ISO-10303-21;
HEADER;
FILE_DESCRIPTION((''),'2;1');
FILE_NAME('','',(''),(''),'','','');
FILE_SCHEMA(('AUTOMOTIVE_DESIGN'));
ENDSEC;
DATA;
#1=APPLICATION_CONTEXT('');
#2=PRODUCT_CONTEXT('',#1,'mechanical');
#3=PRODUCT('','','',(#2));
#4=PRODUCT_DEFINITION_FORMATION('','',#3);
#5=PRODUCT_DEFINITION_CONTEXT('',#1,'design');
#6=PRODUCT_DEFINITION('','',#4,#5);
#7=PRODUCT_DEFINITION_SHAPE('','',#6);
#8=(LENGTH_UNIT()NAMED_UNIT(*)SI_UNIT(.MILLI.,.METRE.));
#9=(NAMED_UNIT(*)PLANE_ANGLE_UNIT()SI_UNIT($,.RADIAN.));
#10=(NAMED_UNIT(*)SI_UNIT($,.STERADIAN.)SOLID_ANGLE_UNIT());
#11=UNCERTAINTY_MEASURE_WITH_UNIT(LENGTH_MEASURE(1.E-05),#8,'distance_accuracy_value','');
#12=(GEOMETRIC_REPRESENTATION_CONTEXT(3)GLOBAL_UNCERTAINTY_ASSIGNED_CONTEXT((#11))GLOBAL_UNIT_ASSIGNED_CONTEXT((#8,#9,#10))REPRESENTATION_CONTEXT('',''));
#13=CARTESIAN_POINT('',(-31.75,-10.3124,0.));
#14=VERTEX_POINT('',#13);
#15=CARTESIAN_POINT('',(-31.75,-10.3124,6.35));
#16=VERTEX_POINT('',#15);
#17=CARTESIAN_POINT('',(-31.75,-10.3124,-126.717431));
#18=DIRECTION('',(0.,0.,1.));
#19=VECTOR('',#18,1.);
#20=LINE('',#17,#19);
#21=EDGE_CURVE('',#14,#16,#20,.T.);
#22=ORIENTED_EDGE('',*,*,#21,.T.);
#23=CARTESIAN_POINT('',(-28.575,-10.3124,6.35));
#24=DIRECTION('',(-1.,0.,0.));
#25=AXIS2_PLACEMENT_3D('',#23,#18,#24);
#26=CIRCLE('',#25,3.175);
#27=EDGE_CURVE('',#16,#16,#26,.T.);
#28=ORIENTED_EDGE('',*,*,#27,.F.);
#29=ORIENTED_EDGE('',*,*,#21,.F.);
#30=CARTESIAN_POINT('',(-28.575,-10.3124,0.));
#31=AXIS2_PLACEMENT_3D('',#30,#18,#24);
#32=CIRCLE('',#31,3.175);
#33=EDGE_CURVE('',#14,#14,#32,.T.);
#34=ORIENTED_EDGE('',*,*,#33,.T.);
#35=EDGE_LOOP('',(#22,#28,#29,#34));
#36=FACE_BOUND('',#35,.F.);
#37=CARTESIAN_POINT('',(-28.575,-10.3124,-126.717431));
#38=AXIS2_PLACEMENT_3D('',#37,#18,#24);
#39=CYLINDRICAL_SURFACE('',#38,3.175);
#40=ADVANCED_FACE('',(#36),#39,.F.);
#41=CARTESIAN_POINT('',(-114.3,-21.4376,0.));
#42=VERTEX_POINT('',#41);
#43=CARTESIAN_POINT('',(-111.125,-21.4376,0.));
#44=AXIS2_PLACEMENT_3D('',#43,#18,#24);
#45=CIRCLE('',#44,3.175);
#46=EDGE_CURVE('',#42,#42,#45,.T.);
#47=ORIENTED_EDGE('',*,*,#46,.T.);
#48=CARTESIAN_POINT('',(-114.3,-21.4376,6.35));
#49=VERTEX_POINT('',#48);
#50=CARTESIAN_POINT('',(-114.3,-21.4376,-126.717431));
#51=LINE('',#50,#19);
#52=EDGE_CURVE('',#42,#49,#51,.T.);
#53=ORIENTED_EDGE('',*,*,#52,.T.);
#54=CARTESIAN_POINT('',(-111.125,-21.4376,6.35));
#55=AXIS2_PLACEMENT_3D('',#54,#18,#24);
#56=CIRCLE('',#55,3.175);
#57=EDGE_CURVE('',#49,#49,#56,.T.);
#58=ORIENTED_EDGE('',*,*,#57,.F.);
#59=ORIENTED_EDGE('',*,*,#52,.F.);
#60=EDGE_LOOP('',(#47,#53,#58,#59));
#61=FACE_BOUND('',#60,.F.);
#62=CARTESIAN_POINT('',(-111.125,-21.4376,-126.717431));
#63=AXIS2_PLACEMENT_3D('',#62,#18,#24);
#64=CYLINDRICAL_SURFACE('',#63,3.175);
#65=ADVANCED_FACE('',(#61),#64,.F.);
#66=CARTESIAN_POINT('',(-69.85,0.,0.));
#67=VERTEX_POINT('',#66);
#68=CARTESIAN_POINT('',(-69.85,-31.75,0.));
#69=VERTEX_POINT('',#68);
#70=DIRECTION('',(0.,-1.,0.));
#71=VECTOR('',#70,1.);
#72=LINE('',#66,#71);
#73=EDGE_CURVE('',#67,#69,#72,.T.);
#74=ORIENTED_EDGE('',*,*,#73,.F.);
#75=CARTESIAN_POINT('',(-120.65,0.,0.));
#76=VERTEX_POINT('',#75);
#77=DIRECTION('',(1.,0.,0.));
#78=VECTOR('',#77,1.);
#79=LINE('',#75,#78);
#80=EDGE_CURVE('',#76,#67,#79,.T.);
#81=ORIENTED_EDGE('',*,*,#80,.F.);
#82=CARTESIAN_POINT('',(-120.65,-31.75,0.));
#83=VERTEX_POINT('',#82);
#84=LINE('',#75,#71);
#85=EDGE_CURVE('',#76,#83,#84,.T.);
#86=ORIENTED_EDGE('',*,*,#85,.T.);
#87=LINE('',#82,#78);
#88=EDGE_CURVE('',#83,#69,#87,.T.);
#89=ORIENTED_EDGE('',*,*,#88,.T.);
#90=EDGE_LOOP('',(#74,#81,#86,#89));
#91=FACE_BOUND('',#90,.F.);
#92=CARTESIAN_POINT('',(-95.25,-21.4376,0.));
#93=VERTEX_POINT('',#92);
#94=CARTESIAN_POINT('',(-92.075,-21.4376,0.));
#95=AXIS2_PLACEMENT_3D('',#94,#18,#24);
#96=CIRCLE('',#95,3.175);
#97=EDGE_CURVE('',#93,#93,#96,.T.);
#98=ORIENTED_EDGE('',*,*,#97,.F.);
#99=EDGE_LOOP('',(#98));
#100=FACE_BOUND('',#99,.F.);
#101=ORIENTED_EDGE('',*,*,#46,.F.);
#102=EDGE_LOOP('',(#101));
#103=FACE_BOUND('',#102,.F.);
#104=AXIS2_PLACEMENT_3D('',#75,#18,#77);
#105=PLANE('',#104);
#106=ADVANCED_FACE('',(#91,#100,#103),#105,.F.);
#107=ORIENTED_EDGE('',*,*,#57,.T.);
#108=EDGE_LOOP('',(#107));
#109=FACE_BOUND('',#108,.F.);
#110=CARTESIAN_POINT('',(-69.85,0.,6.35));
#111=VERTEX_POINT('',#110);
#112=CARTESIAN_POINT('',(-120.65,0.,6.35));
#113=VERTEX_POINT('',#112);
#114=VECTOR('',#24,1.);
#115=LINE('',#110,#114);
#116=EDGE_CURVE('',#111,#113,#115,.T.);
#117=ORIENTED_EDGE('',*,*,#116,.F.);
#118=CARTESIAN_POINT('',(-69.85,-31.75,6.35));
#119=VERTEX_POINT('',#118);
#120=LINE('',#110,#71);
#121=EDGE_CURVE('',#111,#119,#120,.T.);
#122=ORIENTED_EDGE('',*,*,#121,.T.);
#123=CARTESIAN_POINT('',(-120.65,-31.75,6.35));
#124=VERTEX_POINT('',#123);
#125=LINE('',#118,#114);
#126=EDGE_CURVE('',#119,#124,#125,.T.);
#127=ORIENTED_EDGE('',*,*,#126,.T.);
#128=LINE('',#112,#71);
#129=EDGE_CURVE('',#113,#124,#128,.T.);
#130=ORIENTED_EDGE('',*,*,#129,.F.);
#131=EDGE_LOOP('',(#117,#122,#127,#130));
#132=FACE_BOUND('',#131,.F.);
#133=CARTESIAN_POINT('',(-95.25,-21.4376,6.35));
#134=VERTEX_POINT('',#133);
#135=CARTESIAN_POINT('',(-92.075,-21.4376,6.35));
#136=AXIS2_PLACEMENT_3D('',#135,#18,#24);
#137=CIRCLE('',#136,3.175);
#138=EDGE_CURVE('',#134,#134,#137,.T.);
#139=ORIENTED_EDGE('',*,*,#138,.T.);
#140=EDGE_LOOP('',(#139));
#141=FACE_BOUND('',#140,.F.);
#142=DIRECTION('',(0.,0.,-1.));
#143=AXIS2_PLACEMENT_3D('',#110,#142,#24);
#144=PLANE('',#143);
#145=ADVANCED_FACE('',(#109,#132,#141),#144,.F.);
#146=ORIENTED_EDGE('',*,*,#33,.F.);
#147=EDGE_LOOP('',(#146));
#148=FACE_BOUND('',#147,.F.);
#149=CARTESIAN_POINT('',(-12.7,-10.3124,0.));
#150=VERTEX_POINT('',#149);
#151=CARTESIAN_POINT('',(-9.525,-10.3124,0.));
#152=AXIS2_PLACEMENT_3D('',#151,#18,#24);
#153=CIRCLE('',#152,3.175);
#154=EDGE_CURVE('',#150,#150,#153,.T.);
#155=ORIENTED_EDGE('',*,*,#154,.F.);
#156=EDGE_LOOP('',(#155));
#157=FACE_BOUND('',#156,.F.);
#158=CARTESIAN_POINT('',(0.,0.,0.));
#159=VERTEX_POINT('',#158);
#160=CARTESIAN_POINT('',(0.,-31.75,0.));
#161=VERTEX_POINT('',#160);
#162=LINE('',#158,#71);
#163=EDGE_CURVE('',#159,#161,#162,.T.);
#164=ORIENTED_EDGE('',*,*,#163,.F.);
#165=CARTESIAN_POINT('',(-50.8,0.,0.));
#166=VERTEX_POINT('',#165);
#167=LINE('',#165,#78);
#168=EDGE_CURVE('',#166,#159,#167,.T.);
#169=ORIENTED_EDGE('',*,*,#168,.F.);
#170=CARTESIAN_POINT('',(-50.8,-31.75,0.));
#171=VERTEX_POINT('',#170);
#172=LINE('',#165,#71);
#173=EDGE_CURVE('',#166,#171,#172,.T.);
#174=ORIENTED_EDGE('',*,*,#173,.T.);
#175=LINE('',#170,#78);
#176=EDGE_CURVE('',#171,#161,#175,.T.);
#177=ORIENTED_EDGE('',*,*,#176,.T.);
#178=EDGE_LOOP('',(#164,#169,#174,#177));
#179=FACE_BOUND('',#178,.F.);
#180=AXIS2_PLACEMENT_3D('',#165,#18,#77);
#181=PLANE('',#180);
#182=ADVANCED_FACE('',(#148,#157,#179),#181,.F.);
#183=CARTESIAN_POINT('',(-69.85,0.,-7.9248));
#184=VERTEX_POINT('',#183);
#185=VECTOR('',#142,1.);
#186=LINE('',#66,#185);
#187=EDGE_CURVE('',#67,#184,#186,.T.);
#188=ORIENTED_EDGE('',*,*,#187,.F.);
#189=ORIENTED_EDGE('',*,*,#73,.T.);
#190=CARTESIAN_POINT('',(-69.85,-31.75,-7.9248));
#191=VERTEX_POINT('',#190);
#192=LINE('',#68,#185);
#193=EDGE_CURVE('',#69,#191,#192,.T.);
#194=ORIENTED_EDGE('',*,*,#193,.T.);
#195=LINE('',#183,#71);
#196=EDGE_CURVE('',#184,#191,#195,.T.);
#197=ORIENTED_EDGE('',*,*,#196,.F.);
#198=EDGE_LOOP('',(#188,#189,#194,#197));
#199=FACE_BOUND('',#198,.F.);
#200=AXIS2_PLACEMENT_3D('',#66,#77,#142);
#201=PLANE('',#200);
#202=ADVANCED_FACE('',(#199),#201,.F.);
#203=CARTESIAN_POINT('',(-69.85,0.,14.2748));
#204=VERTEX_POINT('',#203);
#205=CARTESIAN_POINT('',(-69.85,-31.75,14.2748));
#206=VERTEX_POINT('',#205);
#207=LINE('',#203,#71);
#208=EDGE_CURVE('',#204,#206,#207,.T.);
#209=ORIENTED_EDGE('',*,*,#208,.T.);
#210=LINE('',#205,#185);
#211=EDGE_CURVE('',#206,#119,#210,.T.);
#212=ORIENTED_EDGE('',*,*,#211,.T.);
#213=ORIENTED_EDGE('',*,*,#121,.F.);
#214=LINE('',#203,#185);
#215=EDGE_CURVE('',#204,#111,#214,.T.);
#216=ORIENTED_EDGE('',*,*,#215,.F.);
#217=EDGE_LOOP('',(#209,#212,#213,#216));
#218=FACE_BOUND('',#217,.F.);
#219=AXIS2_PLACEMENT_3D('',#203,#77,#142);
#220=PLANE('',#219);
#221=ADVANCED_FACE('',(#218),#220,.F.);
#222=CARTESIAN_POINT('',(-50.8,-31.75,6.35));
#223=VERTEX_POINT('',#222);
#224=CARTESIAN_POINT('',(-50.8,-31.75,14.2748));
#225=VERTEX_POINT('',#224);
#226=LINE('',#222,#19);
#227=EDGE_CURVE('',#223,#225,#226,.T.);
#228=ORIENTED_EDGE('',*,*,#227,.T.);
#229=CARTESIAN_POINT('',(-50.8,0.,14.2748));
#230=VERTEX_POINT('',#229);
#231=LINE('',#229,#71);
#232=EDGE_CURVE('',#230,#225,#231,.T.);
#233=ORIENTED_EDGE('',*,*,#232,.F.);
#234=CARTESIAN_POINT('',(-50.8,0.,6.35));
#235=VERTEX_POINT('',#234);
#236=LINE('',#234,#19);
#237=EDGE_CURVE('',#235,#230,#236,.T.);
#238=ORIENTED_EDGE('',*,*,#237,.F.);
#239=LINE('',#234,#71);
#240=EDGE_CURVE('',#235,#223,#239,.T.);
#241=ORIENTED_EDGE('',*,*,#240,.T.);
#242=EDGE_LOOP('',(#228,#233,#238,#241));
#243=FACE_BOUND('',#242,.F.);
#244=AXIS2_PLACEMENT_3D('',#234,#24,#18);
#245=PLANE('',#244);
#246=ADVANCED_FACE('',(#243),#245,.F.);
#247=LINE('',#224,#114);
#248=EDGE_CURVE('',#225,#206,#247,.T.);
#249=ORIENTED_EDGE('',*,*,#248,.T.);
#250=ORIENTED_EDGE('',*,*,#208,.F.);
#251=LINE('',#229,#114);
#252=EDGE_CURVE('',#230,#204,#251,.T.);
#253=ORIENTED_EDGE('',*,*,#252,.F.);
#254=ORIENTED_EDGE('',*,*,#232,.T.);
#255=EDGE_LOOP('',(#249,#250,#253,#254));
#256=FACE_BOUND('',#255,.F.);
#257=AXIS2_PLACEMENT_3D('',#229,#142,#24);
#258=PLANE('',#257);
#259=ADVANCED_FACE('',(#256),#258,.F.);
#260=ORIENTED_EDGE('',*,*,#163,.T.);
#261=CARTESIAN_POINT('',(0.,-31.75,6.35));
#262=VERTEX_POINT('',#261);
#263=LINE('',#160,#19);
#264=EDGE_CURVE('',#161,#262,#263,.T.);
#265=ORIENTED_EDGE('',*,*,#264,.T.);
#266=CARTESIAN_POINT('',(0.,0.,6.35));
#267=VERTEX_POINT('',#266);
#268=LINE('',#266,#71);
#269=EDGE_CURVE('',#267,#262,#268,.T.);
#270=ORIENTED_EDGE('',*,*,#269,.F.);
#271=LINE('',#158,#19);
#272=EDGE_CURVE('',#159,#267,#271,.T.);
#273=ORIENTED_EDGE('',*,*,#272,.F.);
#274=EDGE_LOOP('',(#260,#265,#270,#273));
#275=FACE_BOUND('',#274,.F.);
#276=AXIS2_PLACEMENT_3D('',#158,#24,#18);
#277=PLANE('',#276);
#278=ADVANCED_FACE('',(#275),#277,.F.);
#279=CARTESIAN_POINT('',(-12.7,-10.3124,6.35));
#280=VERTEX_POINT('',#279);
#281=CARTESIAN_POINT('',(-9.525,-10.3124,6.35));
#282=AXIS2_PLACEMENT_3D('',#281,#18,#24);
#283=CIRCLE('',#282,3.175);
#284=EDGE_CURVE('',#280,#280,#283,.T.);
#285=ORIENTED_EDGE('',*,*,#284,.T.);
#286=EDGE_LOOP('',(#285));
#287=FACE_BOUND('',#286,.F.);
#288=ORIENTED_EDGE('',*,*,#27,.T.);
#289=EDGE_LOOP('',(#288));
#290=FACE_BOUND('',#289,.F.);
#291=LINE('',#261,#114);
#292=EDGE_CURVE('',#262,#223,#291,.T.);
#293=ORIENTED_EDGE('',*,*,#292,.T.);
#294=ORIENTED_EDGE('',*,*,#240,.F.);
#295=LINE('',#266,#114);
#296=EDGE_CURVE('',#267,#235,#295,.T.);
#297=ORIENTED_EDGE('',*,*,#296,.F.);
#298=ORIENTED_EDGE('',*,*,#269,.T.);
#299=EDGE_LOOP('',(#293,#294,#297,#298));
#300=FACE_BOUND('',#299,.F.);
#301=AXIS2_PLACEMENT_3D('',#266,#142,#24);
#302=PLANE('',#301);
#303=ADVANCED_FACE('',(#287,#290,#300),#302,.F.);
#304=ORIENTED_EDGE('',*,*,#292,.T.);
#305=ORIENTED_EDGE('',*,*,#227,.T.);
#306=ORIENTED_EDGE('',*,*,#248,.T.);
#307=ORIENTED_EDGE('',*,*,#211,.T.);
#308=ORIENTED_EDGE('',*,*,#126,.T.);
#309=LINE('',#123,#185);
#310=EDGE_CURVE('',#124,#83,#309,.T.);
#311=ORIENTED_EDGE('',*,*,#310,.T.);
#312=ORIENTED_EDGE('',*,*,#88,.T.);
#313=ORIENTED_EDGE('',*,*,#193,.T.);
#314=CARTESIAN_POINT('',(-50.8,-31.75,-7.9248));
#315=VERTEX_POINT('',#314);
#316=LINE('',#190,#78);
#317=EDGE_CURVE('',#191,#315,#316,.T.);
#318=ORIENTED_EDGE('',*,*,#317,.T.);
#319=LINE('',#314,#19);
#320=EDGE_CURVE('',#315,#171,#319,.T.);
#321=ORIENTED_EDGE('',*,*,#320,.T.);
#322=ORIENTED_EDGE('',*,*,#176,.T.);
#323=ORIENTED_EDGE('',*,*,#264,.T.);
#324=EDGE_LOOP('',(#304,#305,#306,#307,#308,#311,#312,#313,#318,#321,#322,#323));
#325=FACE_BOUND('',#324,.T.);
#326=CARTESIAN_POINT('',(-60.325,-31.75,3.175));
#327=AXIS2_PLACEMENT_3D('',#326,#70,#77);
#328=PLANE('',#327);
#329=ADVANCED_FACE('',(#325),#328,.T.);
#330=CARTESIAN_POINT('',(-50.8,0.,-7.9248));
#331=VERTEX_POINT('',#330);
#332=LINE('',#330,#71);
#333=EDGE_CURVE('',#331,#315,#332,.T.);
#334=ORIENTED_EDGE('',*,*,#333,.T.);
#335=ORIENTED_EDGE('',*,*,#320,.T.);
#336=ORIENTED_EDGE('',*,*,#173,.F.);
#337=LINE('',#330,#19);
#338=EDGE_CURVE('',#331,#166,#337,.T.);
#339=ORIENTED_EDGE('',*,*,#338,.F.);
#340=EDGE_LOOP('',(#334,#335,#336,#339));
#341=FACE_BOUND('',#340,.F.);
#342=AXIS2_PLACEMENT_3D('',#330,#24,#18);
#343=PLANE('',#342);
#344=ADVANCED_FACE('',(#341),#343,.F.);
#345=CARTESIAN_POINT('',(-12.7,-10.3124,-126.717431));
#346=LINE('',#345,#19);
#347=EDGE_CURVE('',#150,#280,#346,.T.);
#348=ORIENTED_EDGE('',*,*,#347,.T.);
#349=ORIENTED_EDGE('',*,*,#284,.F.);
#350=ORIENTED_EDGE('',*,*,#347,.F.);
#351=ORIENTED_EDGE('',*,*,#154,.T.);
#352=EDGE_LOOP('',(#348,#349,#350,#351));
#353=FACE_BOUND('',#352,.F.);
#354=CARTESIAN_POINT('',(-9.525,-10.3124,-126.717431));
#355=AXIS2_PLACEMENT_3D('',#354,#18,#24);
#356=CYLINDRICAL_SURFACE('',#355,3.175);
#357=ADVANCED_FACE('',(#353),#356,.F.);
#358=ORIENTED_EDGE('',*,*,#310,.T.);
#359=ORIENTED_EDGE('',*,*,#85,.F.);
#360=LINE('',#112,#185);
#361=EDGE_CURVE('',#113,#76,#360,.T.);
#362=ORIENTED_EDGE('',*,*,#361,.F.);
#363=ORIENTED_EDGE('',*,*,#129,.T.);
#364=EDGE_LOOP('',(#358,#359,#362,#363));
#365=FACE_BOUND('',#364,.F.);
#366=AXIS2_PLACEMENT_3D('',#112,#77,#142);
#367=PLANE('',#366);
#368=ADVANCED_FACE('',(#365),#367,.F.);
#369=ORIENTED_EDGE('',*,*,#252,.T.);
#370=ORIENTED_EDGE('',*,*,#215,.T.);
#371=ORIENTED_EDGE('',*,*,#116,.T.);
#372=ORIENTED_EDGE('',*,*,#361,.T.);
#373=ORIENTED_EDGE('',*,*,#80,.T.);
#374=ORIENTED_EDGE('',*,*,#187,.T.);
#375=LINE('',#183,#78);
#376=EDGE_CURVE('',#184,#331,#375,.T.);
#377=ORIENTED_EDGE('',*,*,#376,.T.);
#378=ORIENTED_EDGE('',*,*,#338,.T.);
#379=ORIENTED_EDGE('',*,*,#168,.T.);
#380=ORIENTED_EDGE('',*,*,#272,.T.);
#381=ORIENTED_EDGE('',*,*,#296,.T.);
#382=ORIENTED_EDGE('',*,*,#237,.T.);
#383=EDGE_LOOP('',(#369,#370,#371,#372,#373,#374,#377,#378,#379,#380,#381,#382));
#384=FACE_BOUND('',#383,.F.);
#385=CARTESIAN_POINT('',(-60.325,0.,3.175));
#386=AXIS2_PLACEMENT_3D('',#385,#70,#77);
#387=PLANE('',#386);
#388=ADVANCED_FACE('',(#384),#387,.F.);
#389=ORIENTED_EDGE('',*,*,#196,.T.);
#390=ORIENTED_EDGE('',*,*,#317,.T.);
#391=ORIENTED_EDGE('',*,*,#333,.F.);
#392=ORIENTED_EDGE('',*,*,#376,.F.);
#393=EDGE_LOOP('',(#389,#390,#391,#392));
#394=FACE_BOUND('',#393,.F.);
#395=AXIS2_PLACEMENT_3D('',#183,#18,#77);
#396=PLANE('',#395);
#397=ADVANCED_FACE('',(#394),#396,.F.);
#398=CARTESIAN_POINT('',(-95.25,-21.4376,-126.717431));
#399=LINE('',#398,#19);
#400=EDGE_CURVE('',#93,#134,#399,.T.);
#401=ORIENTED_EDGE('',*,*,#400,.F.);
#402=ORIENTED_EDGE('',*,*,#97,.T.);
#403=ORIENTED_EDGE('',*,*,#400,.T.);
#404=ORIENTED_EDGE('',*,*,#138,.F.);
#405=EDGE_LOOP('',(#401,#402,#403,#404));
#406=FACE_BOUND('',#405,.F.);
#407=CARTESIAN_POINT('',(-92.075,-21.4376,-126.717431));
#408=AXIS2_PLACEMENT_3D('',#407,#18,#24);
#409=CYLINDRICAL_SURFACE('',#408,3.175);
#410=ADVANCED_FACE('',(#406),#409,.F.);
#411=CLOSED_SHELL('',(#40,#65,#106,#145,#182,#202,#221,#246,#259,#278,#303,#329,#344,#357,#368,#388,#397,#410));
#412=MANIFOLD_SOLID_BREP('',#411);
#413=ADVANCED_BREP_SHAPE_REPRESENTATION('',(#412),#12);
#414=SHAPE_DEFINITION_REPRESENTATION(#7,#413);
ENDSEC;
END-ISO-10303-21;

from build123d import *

# Parameters (mm, degrees)
F1_DEPTH = 31.75
F3_D     = 6.35


with BuildPart() as f1:
    # F0 (on Front) → F1 (new body)
    with BuildSketch(Plane.XZ):
        Polygon((-50.8, 0), (0, 0), (0, 6.35), (-50.8, 6.35), (-50.8, 14.2748), (-69.85, 14.2748), (-69.85, 6.35), (-120.65, 6.35), (-120.65, 0), (-69.85, 0), (-69.85, -7.9248), (-50.8, -7.9248), align=None)
    extrude(amount=F1_DEPTH)

    # F3 (through all)
    with Locations(Plane(origin=(0, 0, 0), x_dir=(1, 0, 0), z_dir=(0, 0, -1))):
        with Locations((-111.125, 21.4376), (-92.075, 21.4376), (-28.575, 10.3124), (-9.525, 10.3124)):
            Hole(F3_D / 2)


solid = f1.part
